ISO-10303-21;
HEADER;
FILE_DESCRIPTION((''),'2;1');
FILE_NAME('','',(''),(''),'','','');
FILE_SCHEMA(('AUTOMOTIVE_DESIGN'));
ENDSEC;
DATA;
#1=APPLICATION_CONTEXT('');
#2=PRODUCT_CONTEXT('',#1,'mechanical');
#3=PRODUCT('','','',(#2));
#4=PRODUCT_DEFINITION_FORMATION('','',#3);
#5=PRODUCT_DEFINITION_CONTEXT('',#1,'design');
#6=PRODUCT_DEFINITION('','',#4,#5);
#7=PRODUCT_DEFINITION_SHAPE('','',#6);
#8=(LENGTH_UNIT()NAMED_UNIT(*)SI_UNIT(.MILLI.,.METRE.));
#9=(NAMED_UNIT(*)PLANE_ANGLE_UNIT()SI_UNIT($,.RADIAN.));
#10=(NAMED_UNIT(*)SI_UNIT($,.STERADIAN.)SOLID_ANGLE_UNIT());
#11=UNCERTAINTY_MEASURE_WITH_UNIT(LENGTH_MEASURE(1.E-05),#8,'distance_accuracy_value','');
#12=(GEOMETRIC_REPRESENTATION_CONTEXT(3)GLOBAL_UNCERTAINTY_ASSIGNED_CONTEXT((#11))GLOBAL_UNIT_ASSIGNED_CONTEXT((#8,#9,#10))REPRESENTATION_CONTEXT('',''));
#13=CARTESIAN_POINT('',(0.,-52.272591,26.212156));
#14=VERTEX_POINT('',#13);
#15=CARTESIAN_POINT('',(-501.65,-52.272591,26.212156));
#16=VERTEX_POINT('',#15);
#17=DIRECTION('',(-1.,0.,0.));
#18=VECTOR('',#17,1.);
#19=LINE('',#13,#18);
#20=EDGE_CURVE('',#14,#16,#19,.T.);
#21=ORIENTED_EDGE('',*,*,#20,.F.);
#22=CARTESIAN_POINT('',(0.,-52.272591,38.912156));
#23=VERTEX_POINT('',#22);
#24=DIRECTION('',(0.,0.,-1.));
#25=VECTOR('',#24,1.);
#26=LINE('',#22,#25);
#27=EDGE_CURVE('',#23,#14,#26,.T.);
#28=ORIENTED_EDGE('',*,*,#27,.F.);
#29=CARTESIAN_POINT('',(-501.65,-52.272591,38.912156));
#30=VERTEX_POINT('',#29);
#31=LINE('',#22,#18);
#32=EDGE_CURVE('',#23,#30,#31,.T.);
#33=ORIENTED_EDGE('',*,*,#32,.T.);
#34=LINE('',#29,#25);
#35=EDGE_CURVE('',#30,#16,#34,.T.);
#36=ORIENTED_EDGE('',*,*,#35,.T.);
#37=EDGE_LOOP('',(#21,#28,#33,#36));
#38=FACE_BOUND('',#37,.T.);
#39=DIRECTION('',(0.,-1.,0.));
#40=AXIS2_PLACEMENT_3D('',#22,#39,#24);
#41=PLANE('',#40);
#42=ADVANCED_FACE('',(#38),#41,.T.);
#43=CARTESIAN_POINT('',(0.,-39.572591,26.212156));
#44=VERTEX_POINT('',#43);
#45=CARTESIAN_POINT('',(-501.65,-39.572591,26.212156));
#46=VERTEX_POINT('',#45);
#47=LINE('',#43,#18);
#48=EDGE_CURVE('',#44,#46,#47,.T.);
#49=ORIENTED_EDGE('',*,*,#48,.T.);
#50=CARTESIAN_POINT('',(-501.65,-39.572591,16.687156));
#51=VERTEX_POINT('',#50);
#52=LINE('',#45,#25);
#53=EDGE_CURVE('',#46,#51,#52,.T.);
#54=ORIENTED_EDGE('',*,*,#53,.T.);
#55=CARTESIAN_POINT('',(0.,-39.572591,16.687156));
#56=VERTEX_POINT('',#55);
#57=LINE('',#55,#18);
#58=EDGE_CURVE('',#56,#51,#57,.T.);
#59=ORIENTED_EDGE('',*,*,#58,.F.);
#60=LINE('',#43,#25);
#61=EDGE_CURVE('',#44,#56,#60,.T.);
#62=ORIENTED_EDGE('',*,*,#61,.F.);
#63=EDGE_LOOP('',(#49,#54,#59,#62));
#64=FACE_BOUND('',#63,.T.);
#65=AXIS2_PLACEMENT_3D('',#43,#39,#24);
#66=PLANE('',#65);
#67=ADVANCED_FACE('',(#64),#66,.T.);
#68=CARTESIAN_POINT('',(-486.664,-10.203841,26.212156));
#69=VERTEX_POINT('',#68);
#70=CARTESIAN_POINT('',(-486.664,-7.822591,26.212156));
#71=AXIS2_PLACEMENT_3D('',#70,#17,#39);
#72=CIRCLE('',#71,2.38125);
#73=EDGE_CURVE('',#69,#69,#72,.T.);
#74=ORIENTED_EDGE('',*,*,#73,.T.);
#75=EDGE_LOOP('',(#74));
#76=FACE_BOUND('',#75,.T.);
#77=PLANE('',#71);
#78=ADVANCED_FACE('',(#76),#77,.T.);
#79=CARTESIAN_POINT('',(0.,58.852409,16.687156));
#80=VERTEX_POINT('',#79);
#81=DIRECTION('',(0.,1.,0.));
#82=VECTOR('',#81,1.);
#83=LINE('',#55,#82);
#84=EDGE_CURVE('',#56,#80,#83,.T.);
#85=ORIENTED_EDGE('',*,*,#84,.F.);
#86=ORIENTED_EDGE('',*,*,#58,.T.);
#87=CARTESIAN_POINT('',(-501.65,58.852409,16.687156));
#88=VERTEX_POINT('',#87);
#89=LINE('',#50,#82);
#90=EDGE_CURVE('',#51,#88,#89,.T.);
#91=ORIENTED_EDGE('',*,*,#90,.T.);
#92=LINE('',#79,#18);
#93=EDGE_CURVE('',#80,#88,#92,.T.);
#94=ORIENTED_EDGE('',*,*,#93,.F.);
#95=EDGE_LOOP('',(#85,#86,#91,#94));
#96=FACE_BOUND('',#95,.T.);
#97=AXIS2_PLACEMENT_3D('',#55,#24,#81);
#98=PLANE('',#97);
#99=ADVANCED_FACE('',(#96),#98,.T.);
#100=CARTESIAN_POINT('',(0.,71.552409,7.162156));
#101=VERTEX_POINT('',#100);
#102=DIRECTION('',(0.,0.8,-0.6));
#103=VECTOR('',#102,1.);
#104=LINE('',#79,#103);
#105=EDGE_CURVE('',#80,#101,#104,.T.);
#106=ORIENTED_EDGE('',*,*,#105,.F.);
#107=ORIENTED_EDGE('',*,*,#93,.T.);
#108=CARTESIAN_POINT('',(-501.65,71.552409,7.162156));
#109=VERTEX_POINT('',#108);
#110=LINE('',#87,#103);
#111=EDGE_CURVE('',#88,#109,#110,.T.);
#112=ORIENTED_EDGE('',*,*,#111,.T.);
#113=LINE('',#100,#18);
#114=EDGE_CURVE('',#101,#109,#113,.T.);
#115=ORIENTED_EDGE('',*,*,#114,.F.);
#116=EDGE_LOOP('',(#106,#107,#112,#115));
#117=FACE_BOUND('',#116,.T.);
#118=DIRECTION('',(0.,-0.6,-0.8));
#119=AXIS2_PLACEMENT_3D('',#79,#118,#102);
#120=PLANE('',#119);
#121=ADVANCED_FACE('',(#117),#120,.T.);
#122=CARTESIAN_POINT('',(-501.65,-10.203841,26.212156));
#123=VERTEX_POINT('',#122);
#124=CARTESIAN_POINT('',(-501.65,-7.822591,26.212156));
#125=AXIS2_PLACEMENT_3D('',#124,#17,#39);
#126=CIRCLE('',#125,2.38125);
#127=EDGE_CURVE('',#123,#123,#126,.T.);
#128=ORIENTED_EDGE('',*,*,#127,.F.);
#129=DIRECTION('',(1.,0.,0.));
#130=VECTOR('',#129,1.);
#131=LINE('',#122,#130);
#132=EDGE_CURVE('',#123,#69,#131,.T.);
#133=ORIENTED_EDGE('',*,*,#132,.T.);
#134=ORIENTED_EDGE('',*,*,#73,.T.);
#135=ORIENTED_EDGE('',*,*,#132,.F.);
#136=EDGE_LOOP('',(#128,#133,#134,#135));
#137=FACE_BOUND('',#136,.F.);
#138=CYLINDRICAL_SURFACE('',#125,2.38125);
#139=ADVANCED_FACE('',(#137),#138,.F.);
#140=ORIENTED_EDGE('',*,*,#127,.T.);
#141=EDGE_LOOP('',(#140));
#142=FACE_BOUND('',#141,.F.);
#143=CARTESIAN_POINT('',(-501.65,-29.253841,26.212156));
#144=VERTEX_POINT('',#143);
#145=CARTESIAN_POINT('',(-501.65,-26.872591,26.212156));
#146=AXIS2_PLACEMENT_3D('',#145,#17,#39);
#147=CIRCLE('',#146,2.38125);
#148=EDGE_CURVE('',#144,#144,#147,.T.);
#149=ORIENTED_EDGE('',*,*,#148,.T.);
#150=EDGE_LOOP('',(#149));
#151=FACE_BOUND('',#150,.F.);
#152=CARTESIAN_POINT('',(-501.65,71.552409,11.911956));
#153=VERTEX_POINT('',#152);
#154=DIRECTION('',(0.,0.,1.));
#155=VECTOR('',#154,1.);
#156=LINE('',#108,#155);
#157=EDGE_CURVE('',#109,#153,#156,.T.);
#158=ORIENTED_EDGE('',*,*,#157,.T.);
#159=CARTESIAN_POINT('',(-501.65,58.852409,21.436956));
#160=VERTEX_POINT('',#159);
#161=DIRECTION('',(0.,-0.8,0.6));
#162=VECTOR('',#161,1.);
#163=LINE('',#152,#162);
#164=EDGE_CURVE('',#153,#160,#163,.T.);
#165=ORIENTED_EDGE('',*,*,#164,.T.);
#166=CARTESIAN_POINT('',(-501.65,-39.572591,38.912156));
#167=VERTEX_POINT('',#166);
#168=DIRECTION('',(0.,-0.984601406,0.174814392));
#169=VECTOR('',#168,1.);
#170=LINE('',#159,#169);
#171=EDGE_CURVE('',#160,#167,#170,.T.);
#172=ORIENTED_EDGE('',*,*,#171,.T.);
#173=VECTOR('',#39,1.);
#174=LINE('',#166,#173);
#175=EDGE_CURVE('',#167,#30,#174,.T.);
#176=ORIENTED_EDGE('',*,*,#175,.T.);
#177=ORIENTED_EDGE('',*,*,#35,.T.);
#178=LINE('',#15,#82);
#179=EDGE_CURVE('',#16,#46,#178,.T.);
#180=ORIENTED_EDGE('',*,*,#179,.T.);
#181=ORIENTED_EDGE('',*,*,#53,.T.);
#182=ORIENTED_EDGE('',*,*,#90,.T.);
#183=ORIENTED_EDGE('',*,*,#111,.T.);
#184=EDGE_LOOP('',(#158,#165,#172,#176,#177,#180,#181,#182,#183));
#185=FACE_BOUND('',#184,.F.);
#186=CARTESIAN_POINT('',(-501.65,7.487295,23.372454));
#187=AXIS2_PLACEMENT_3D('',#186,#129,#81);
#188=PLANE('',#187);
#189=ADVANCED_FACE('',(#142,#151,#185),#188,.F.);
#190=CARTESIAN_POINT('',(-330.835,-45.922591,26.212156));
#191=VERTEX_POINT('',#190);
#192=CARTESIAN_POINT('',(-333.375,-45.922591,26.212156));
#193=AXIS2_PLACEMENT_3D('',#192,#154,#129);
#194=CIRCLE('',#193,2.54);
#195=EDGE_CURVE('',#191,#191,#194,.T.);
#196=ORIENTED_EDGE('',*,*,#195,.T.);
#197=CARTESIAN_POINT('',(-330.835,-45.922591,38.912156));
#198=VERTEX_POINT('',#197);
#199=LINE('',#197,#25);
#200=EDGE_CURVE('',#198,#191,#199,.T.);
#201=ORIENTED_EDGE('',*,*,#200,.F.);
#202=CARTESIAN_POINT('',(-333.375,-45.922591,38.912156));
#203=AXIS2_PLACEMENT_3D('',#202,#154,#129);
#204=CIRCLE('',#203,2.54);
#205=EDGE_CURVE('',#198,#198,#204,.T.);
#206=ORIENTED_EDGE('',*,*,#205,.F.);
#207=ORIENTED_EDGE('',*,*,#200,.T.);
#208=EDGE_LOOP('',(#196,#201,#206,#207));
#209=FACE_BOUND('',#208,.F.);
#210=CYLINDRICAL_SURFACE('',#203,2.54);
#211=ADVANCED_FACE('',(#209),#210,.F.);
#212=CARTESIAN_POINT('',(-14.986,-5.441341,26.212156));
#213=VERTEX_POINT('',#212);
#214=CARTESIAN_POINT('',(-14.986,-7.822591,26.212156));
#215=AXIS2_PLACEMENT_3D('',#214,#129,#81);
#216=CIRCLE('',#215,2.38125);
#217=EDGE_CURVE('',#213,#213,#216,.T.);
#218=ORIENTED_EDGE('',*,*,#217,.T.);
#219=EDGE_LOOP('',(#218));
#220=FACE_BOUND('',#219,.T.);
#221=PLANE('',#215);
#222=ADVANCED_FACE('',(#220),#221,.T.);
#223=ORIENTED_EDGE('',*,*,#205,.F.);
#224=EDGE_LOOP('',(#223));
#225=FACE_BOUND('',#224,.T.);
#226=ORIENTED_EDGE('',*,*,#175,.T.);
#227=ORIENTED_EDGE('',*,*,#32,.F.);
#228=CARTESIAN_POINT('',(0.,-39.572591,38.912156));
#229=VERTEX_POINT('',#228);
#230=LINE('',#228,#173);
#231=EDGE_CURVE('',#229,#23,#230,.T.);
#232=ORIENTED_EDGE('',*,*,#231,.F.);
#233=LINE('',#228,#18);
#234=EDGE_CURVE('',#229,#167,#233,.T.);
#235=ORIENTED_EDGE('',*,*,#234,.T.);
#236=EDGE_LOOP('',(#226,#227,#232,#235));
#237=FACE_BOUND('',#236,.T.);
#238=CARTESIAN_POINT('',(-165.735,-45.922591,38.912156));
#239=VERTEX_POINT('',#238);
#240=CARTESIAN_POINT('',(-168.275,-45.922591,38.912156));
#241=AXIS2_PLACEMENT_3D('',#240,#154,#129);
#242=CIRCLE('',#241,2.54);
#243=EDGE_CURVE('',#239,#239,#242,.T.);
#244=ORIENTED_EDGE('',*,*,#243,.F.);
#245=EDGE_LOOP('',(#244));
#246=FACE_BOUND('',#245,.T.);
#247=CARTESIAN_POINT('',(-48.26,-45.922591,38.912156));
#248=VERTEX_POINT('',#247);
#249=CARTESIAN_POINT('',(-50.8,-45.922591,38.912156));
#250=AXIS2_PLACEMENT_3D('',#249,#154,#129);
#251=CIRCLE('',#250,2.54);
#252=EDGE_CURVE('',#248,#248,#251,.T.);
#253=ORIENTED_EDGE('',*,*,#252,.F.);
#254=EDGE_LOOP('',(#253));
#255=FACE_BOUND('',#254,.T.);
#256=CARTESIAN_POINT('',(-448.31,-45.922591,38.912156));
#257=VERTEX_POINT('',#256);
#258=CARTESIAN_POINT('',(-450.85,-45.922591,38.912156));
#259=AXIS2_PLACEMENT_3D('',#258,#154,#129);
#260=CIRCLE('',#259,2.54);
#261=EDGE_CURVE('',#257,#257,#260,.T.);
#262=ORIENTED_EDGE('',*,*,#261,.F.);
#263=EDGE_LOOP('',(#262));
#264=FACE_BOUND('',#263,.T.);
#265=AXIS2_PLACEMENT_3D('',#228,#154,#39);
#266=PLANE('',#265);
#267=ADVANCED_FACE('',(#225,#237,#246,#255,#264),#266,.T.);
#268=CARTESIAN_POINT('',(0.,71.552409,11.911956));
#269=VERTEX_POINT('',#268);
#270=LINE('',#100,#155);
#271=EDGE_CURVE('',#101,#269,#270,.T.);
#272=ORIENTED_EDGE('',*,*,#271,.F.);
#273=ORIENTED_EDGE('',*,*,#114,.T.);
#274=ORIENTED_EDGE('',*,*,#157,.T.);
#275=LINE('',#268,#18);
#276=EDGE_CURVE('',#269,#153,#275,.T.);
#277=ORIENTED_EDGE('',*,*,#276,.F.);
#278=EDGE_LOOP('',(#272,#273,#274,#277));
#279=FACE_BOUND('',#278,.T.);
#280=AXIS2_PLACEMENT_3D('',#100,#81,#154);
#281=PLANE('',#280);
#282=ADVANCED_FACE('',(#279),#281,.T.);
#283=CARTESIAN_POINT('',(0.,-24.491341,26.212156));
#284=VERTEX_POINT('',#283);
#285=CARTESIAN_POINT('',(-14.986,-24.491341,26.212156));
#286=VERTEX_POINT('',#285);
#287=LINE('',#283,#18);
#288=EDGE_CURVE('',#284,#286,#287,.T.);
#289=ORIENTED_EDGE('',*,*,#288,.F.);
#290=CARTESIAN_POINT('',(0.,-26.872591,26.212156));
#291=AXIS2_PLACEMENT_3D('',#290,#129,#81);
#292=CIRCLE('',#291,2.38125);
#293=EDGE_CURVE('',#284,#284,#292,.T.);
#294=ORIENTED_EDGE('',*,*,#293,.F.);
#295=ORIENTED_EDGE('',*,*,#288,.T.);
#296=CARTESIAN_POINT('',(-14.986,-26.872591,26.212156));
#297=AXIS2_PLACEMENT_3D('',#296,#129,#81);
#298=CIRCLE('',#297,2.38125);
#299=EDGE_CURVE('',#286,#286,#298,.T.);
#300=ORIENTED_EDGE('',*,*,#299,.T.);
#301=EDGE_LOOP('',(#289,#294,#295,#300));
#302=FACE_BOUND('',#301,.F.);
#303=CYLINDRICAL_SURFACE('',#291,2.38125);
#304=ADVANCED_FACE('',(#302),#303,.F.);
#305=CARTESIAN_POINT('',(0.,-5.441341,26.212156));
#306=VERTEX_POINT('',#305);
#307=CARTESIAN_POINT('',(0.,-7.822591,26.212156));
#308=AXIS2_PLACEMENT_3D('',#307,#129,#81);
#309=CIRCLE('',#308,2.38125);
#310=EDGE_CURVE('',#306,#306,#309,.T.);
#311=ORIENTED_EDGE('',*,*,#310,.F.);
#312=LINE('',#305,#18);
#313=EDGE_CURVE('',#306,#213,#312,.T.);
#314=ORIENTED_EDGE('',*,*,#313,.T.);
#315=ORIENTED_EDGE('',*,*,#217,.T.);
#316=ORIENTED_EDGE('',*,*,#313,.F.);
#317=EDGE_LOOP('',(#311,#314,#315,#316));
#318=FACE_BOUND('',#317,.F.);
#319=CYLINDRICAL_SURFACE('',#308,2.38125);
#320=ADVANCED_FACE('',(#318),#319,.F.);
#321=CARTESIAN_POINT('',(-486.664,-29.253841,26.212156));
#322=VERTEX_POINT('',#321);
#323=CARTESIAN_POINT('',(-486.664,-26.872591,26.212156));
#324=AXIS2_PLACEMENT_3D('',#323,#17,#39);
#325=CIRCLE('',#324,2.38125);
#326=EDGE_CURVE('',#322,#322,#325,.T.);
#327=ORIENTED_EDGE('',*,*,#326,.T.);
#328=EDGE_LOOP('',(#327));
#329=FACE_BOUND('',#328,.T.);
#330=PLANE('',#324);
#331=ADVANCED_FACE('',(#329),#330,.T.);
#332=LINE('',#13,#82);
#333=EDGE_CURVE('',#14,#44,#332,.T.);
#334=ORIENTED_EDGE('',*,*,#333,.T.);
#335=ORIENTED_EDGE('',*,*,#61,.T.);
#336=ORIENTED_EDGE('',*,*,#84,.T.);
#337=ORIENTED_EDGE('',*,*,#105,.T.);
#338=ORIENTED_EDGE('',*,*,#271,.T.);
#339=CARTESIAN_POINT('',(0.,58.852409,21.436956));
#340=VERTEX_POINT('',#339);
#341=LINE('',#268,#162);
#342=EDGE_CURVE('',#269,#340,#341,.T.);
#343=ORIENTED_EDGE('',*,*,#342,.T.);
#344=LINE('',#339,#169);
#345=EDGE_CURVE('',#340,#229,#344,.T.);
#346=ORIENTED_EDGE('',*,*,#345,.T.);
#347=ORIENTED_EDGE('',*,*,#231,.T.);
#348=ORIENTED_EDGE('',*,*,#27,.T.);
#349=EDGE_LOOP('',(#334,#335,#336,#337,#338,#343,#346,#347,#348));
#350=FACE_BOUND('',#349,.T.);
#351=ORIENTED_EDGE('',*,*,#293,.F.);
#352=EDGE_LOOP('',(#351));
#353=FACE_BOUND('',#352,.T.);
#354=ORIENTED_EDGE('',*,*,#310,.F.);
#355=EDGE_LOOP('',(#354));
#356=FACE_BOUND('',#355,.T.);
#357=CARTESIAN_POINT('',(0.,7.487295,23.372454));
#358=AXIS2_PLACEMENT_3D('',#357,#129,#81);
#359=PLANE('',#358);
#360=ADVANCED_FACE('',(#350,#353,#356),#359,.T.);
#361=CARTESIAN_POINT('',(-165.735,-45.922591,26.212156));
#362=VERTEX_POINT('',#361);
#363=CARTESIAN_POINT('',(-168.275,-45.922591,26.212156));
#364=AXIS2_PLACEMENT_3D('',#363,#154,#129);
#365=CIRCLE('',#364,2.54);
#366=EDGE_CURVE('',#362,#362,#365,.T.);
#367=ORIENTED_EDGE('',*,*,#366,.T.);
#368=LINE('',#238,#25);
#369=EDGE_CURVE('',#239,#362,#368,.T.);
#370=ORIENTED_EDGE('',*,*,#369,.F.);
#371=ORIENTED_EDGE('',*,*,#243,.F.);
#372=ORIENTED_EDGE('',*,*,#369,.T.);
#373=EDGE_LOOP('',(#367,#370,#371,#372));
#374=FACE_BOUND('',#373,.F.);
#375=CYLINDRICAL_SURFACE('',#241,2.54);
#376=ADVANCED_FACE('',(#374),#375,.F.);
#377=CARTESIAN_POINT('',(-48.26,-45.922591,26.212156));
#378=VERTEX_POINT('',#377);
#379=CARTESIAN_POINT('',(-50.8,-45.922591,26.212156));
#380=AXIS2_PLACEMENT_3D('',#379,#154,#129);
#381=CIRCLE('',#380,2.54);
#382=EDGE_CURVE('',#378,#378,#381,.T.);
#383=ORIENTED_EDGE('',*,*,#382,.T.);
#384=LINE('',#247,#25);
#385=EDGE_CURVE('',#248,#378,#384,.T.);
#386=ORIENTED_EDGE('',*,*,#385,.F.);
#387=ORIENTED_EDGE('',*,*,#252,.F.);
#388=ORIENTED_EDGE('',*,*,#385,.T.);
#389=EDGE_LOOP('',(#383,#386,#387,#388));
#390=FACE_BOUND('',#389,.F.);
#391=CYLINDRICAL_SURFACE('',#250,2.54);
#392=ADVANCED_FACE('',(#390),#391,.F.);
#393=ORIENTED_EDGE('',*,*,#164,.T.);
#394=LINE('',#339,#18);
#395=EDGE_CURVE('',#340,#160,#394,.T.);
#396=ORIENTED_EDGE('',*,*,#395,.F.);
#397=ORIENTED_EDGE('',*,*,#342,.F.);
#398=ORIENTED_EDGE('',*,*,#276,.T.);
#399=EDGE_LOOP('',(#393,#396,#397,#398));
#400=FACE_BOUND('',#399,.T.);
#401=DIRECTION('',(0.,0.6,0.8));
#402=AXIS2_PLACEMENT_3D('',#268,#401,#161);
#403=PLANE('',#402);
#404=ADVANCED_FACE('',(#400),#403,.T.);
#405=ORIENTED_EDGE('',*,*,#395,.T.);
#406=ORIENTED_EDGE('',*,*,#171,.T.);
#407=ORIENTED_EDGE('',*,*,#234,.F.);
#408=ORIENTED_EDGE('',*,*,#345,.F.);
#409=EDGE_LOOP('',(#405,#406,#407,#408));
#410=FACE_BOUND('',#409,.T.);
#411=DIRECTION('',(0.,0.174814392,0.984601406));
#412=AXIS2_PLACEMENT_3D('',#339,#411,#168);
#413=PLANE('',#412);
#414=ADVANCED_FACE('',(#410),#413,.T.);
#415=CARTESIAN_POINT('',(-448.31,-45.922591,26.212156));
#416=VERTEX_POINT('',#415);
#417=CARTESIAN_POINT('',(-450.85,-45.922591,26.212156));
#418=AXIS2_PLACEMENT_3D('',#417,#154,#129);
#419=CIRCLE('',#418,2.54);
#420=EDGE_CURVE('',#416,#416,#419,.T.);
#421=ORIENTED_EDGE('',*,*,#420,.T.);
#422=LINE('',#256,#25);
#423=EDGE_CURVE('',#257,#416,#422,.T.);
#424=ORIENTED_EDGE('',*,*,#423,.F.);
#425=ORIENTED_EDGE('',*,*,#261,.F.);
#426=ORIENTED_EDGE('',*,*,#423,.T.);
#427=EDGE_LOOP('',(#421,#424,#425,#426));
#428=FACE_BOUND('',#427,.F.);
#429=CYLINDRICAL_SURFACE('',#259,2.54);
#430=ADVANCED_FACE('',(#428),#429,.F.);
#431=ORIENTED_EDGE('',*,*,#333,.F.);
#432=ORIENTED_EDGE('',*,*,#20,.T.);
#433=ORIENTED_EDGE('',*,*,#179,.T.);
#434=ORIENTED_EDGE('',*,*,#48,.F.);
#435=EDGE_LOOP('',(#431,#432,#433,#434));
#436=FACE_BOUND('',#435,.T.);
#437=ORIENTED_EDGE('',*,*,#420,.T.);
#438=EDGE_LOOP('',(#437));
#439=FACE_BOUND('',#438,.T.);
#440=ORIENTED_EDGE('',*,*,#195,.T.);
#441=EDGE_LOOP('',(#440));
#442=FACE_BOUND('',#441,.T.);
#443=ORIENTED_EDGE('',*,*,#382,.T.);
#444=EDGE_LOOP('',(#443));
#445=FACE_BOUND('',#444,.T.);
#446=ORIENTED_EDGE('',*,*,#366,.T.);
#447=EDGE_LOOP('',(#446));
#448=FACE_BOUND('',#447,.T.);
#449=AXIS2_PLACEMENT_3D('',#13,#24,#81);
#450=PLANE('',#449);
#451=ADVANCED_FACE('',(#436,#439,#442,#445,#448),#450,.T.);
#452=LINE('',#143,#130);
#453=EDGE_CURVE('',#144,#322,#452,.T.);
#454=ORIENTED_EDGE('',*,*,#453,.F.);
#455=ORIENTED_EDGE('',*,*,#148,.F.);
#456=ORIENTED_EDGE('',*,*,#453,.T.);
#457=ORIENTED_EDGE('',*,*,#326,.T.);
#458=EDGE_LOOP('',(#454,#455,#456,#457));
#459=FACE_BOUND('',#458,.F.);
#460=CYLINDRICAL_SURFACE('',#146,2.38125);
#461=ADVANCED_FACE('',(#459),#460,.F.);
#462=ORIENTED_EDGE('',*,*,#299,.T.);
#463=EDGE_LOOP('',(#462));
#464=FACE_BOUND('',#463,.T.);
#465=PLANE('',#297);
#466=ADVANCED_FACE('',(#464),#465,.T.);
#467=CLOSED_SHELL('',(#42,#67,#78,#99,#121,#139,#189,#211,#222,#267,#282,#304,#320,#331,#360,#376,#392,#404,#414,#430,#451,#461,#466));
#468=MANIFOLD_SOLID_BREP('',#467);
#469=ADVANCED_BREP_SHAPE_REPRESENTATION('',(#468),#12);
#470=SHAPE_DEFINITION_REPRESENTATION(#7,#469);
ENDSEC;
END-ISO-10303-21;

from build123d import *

# Parameters (mm, degrees)
F1_DEPTH = 501.65
F2_R     = 2.38125
F3_DEPTH = 14.986
F4_R     = 2.38125
F5_DEPTH = 14.986
F6_R     = 2.54
F7_DEPTH = 31.751


with BuildPart() as f1:
    # F0 (on Right) → F1 (new body)
    with BuildSketch(Plane.YZ):
        Polygon((-39.572591, 38.912156), (-52.272591, 38.912156), (-52.272591, 26.212156), (-39.572591, 26.212156), (-39.572591, 16.687156), (58.852409, 16.687156), (71.552409, 7.162156), (71.552409, 11.911956), (58.852409, 21.436956), align=None)
    extrude(amount=-F1_DEPTH)

    # F2 (on face) → F3 (cut)
    with BuildSketch(Plane.YZ):
        with Locations((-26.872591, 26.212156)):
            Circle(F2_R)
        with Locations((-7.822591, 26.212156)):
            Circle(F2_R)
    extrude(amount=-F3_DEPTH, mode=Mode.SUBTRACT)

    # F4 (on face) → F5 (cut)
    with BuildSketch(Plane(origin=(-501.65, 0, 0), x_dir=(0, -1, 0), z_dir=(-1, 0, 0))):
        with Locations((26.872591, 26.212156)):
            Circle(F4_R)
        with Locations((7.822591, 26.212156)):
            Circle(F4_R)
    extrude(amount=-F5_DEPTH, mode=Mode.SUBTRACT)

    # F6 (on face) → F7 (cut, through all)
    with BuildSketch(Plane.XY.offset(38.912156)):
        with Locations((-450.85, -45.922591)):
            Circle(F6_R)
        with Locations((-333.375, -45.922591)):
            Circle(F6_R)
        with Locations((-168.275, -45.922591)):
            Circle(F6_R)
        with Locations((-50.8, -45.922591)):
            Circle(F6_R)
    extrude(amount=-F7_DEPTH, mode=Mode.SUBTRACT)


solid = f1.part
